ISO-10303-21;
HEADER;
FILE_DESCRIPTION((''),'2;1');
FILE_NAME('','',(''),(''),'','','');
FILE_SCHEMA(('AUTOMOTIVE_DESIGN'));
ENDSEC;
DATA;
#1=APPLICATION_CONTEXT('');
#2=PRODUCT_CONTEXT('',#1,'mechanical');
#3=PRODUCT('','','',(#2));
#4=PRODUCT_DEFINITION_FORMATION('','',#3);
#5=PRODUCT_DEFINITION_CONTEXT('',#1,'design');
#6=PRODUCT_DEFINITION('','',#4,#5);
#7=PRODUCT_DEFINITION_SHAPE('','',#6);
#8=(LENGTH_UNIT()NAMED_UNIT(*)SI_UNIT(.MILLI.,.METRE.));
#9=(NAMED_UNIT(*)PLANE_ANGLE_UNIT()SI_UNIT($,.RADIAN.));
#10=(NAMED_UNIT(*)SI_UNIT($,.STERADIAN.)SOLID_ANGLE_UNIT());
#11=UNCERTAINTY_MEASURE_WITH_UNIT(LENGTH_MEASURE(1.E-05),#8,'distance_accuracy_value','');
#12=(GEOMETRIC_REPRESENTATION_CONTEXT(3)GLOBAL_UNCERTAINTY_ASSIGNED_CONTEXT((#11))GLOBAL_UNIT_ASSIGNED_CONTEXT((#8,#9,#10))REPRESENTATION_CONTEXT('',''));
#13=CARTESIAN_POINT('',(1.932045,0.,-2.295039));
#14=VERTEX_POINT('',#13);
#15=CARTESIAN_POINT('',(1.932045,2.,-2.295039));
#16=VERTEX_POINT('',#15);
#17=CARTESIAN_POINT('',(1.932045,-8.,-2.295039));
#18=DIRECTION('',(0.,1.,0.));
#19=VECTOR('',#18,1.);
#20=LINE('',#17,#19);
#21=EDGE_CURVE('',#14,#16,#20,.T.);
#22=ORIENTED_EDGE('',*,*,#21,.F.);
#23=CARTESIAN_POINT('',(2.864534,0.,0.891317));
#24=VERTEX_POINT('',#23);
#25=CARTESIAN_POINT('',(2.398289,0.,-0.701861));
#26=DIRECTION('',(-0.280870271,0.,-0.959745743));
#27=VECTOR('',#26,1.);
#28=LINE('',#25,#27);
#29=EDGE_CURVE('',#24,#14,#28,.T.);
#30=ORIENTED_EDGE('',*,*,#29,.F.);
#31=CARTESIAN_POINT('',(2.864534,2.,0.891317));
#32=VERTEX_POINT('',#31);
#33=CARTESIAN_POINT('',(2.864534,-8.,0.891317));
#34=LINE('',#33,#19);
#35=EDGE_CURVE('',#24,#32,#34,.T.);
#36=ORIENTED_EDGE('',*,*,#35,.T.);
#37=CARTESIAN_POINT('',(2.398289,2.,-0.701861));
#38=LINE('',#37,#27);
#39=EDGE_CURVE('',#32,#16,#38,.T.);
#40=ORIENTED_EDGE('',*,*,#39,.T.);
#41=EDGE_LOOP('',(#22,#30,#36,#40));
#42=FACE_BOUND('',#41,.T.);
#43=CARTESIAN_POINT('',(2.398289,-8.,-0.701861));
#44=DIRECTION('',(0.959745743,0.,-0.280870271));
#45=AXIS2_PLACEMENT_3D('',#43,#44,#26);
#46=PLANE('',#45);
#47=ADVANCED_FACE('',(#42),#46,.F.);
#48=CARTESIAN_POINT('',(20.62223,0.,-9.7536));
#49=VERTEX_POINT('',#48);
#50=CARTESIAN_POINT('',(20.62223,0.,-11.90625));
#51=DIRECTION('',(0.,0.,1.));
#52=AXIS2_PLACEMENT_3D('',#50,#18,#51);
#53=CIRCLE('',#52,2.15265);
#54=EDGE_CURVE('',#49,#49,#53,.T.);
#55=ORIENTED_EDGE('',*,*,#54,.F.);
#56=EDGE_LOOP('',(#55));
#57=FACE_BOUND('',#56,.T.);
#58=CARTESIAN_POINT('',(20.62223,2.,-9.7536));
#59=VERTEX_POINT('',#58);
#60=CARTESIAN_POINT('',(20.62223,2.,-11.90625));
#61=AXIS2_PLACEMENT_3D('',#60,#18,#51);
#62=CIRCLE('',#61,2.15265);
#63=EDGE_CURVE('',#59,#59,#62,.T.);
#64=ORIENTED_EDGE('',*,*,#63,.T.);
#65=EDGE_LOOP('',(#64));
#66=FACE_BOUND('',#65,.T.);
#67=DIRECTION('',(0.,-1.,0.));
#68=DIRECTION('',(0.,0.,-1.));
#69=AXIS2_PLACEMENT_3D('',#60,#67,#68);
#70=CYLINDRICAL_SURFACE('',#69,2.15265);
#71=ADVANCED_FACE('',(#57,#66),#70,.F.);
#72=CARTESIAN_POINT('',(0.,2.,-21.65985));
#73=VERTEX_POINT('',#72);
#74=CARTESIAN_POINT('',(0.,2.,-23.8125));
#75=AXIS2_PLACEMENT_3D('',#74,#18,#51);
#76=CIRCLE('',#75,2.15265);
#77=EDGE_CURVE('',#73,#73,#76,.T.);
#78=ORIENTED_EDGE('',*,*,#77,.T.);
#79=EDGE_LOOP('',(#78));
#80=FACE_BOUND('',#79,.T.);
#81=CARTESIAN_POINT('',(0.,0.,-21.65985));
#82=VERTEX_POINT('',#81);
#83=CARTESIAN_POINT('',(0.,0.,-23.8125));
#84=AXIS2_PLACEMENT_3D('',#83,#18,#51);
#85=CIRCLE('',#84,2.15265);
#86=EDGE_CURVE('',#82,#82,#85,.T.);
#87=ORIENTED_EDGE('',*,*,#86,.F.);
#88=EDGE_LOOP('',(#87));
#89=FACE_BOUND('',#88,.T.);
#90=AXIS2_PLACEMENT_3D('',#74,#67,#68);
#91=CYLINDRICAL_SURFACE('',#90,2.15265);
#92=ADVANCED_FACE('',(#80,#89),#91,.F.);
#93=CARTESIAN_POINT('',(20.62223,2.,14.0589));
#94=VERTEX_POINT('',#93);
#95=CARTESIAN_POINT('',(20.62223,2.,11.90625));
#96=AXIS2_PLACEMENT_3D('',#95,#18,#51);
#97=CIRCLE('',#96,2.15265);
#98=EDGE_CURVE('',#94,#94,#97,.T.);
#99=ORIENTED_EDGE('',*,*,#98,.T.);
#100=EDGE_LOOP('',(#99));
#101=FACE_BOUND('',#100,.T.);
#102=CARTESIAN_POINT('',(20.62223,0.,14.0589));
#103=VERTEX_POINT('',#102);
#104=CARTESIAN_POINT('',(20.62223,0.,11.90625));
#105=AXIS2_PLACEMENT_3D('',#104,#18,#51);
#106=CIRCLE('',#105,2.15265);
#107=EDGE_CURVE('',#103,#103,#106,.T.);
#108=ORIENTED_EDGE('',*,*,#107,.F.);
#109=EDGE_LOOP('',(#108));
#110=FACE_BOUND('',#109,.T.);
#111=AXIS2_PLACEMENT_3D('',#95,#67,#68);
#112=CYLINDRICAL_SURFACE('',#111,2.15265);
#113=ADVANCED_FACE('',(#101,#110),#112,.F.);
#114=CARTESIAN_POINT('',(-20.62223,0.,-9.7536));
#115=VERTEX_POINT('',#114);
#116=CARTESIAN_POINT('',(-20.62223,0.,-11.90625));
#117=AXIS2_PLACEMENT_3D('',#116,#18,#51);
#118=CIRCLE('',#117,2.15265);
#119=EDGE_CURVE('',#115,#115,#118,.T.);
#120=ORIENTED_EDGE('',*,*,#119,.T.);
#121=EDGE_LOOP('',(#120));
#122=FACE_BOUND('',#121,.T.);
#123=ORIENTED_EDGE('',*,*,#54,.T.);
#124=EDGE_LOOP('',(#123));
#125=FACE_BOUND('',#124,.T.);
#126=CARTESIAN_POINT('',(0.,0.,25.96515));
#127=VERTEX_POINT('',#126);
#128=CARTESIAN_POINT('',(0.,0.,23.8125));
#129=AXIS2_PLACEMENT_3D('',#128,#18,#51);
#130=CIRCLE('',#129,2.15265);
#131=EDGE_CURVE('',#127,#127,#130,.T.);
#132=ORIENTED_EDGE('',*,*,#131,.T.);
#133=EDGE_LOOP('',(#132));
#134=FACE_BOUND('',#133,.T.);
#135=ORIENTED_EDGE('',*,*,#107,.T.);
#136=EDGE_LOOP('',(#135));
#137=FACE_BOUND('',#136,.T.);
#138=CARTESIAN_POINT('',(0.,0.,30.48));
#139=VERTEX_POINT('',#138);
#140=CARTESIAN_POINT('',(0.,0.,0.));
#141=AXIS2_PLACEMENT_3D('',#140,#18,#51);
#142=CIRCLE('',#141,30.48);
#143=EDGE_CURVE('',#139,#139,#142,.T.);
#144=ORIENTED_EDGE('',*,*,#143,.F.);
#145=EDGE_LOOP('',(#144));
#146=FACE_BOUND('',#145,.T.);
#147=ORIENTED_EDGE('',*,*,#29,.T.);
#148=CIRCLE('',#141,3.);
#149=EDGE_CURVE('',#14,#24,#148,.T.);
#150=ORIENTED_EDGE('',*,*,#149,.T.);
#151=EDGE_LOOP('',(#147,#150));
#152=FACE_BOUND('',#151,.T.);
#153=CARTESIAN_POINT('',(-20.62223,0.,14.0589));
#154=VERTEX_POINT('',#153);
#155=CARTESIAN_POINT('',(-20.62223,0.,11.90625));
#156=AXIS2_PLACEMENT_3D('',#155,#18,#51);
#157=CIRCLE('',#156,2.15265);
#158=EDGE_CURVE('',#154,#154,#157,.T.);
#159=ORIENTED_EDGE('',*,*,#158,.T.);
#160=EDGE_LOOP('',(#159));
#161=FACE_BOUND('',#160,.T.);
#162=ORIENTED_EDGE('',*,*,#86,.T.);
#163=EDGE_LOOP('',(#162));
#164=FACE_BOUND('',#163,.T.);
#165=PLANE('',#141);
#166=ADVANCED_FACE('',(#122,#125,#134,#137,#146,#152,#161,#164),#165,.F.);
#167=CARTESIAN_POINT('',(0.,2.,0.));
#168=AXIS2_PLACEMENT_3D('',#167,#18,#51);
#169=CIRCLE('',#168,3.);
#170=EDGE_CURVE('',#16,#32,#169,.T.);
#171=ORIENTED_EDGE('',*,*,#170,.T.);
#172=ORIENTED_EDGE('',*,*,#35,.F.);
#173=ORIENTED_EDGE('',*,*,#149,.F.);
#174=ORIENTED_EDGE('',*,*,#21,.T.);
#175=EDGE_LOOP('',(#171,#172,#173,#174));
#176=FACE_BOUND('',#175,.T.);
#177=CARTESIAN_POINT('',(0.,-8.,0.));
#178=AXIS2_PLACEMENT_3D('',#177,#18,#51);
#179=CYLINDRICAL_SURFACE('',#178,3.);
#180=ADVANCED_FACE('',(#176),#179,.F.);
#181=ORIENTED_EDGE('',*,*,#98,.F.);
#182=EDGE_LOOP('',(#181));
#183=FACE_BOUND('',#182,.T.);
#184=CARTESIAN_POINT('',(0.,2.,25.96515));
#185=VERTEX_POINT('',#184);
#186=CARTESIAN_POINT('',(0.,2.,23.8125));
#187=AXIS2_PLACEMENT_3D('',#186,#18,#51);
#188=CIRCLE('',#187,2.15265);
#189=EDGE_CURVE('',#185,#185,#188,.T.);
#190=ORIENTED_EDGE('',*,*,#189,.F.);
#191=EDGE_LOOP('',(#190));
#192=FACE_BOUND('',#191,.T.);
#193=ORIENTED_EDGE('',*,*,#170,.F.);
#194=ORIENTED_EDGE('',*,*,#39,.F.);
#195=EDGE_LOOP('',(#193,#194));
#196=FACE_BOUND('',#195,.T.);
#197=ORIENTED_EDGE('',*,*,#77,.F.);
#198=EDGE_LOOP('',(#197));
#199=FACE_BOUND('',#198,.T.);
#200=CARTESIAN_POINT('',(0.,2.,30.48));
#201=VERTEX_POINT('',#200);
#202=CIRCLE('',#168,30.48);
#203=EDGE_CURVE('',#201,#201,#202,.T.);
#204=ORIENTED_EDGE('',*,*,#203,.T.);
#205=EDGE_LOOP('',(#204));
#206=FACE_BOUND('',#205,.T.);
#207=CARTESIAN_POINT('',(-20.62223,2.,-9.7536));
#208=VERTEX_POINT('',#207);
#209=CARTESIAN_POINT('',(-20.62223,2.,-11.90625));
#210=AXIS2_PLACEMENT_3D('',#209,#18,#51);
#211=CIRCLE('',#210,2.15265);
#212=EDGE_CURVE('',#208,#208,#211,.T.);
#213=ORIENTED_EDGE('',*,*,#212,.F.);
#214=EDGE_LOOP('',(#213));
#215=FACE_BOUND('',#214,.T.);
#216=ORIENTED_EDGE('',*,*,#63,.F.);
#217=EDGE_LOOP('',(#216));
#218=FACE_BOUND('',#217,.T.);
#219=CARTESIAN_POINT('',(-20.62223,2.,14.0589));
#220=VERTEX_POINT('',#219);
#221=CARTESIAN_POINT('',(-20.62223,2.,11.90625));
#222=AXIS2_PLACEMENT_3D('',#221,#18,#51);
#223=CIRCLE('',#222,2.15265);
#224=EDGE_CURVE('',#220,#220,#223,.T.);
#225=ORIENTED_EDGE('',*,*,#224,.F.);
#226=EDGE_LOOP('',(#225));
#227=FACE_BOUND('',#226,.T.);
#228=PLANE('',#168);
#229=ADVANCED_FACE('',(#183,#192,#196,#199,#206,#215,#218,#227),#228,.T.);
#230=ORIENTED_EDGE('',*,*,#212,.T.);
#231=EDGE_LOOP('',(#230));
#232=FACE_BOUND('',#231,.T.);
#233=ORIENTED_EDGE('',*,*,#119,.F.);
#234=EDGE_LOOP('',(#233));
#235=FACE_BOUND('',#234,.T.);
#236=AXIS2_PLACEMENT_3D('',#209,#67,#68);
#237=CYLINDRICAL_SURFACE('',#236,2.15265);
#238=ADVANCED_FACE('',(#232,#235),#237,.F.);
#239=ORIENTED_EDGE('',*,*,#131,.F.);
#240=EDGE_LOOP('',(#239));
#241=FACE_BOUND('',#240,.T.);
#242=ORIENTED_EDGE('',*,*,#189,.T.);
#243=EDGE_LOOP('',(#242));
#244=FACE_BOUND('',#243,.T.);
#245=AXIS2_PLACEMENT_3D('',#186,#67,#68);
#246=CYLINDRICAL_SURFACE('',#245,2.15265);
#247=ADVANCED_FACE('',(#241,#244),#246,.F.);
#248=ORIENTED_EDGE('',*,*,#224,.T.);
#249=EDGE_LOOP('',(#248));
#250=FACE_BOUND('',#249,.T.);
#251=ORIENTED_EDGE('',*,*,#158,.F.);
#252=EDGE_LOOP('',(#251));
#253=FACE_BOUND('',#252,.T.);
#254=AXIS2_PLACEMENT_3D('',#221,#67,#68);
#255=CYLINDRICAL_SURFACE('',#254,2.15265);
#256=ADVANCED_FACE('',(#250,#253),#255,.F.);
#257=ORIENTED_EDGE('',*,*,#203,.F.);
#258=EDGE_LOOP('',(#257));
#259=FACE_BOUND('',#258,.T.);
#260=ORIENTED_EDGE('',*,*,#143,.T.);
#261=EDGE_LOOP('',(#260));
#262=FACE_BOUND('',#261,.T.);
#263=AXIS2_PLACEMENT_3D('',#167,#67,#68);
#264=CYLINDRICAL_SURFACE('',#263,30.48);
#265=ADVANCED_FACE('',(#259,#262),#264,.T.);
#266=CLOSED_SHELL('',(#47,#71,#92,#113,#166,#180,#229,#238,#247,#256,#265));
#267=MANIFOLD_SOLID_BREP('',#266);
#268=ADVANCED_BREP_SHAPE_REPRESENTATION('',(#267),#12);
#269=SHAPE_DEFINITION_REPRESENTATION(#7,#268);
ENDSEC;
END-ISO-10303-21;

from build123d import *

# Parameters (mm, degrees)
SKETCH1_R           = 30.48
SKETCH1_R_2         = 2.15265
BOSS_EXTRUDE1_DEPTH = 2
CUT_EXTRUDE1_DEPTH  = 10


with BuildPart() as part:
    # Sketch1 → Boss-Extrude1 (new body)
    with BuildSketch(Plane(origin=(0, 0, 0), x_dir=(1, 0, 0), z_dir=(0, 1, 0))):
        with Locations(Location((0, 0, 0), (0, 0, 270))):
            Circle(SKETCH1_R)
        with Locations(Location((0, -23.8125, 0), (0, 0, 270))):
            Circle(SKETCH1_R_2, mode=Mode.SUBTRACT)
        with Locations(Location((20.622229928, -11.90625, 0), (0, 0, 270))):
            Circle(SKETCH1_R_2, mode=Mode.SUBTRACT)
        with Locations(Location((20.622229928, 11.90625, 0), (0, 0, 270))):
            Circle(SKETCH1_R_2, mode=Mode.SUBTRACT)
        with Locations(Location((0, 23.8125, 0), (0, 0, 270))):
            Circle(SKETCH1_R_2, mode=Mode.SUBTRACT)
        with Locations(Location((-20.622229928, 11.90625, 0), (0, 0, 270))):
            Circle(SKETCH1_R_2, mode=Mode.SUBTRACT)
        with Locations(Location((-20.622229928, -11.90625, 0), (0, 0, 270))):
            Circle(SKETCH1_R_2, mode=Mode.SUBTRACT)
    extrude(amount=BOSS_EXTRUDE1_DEPTH)

    # Sketch2 → Cut-Extrude1 (cut)
    with BuildSketch(Plane(origin=(0, 2, 0), x_dir=(1, 0, 0), z_dir=(0, 1, 0))):
        with BuildLine():
            ThreePointArc((1.93204455, 2.295038966), (-2.879237228, -0.842610814), (2.864533851, -0.8913169))
            Line((2.864533851, -0.8913169), (1.93204455, 2.295038966))
        make_face()
    extrude(amount=-CUT_EXTRUDE1_DEPTH, mode=Mode.SUBTRACT)


solid = part.part
